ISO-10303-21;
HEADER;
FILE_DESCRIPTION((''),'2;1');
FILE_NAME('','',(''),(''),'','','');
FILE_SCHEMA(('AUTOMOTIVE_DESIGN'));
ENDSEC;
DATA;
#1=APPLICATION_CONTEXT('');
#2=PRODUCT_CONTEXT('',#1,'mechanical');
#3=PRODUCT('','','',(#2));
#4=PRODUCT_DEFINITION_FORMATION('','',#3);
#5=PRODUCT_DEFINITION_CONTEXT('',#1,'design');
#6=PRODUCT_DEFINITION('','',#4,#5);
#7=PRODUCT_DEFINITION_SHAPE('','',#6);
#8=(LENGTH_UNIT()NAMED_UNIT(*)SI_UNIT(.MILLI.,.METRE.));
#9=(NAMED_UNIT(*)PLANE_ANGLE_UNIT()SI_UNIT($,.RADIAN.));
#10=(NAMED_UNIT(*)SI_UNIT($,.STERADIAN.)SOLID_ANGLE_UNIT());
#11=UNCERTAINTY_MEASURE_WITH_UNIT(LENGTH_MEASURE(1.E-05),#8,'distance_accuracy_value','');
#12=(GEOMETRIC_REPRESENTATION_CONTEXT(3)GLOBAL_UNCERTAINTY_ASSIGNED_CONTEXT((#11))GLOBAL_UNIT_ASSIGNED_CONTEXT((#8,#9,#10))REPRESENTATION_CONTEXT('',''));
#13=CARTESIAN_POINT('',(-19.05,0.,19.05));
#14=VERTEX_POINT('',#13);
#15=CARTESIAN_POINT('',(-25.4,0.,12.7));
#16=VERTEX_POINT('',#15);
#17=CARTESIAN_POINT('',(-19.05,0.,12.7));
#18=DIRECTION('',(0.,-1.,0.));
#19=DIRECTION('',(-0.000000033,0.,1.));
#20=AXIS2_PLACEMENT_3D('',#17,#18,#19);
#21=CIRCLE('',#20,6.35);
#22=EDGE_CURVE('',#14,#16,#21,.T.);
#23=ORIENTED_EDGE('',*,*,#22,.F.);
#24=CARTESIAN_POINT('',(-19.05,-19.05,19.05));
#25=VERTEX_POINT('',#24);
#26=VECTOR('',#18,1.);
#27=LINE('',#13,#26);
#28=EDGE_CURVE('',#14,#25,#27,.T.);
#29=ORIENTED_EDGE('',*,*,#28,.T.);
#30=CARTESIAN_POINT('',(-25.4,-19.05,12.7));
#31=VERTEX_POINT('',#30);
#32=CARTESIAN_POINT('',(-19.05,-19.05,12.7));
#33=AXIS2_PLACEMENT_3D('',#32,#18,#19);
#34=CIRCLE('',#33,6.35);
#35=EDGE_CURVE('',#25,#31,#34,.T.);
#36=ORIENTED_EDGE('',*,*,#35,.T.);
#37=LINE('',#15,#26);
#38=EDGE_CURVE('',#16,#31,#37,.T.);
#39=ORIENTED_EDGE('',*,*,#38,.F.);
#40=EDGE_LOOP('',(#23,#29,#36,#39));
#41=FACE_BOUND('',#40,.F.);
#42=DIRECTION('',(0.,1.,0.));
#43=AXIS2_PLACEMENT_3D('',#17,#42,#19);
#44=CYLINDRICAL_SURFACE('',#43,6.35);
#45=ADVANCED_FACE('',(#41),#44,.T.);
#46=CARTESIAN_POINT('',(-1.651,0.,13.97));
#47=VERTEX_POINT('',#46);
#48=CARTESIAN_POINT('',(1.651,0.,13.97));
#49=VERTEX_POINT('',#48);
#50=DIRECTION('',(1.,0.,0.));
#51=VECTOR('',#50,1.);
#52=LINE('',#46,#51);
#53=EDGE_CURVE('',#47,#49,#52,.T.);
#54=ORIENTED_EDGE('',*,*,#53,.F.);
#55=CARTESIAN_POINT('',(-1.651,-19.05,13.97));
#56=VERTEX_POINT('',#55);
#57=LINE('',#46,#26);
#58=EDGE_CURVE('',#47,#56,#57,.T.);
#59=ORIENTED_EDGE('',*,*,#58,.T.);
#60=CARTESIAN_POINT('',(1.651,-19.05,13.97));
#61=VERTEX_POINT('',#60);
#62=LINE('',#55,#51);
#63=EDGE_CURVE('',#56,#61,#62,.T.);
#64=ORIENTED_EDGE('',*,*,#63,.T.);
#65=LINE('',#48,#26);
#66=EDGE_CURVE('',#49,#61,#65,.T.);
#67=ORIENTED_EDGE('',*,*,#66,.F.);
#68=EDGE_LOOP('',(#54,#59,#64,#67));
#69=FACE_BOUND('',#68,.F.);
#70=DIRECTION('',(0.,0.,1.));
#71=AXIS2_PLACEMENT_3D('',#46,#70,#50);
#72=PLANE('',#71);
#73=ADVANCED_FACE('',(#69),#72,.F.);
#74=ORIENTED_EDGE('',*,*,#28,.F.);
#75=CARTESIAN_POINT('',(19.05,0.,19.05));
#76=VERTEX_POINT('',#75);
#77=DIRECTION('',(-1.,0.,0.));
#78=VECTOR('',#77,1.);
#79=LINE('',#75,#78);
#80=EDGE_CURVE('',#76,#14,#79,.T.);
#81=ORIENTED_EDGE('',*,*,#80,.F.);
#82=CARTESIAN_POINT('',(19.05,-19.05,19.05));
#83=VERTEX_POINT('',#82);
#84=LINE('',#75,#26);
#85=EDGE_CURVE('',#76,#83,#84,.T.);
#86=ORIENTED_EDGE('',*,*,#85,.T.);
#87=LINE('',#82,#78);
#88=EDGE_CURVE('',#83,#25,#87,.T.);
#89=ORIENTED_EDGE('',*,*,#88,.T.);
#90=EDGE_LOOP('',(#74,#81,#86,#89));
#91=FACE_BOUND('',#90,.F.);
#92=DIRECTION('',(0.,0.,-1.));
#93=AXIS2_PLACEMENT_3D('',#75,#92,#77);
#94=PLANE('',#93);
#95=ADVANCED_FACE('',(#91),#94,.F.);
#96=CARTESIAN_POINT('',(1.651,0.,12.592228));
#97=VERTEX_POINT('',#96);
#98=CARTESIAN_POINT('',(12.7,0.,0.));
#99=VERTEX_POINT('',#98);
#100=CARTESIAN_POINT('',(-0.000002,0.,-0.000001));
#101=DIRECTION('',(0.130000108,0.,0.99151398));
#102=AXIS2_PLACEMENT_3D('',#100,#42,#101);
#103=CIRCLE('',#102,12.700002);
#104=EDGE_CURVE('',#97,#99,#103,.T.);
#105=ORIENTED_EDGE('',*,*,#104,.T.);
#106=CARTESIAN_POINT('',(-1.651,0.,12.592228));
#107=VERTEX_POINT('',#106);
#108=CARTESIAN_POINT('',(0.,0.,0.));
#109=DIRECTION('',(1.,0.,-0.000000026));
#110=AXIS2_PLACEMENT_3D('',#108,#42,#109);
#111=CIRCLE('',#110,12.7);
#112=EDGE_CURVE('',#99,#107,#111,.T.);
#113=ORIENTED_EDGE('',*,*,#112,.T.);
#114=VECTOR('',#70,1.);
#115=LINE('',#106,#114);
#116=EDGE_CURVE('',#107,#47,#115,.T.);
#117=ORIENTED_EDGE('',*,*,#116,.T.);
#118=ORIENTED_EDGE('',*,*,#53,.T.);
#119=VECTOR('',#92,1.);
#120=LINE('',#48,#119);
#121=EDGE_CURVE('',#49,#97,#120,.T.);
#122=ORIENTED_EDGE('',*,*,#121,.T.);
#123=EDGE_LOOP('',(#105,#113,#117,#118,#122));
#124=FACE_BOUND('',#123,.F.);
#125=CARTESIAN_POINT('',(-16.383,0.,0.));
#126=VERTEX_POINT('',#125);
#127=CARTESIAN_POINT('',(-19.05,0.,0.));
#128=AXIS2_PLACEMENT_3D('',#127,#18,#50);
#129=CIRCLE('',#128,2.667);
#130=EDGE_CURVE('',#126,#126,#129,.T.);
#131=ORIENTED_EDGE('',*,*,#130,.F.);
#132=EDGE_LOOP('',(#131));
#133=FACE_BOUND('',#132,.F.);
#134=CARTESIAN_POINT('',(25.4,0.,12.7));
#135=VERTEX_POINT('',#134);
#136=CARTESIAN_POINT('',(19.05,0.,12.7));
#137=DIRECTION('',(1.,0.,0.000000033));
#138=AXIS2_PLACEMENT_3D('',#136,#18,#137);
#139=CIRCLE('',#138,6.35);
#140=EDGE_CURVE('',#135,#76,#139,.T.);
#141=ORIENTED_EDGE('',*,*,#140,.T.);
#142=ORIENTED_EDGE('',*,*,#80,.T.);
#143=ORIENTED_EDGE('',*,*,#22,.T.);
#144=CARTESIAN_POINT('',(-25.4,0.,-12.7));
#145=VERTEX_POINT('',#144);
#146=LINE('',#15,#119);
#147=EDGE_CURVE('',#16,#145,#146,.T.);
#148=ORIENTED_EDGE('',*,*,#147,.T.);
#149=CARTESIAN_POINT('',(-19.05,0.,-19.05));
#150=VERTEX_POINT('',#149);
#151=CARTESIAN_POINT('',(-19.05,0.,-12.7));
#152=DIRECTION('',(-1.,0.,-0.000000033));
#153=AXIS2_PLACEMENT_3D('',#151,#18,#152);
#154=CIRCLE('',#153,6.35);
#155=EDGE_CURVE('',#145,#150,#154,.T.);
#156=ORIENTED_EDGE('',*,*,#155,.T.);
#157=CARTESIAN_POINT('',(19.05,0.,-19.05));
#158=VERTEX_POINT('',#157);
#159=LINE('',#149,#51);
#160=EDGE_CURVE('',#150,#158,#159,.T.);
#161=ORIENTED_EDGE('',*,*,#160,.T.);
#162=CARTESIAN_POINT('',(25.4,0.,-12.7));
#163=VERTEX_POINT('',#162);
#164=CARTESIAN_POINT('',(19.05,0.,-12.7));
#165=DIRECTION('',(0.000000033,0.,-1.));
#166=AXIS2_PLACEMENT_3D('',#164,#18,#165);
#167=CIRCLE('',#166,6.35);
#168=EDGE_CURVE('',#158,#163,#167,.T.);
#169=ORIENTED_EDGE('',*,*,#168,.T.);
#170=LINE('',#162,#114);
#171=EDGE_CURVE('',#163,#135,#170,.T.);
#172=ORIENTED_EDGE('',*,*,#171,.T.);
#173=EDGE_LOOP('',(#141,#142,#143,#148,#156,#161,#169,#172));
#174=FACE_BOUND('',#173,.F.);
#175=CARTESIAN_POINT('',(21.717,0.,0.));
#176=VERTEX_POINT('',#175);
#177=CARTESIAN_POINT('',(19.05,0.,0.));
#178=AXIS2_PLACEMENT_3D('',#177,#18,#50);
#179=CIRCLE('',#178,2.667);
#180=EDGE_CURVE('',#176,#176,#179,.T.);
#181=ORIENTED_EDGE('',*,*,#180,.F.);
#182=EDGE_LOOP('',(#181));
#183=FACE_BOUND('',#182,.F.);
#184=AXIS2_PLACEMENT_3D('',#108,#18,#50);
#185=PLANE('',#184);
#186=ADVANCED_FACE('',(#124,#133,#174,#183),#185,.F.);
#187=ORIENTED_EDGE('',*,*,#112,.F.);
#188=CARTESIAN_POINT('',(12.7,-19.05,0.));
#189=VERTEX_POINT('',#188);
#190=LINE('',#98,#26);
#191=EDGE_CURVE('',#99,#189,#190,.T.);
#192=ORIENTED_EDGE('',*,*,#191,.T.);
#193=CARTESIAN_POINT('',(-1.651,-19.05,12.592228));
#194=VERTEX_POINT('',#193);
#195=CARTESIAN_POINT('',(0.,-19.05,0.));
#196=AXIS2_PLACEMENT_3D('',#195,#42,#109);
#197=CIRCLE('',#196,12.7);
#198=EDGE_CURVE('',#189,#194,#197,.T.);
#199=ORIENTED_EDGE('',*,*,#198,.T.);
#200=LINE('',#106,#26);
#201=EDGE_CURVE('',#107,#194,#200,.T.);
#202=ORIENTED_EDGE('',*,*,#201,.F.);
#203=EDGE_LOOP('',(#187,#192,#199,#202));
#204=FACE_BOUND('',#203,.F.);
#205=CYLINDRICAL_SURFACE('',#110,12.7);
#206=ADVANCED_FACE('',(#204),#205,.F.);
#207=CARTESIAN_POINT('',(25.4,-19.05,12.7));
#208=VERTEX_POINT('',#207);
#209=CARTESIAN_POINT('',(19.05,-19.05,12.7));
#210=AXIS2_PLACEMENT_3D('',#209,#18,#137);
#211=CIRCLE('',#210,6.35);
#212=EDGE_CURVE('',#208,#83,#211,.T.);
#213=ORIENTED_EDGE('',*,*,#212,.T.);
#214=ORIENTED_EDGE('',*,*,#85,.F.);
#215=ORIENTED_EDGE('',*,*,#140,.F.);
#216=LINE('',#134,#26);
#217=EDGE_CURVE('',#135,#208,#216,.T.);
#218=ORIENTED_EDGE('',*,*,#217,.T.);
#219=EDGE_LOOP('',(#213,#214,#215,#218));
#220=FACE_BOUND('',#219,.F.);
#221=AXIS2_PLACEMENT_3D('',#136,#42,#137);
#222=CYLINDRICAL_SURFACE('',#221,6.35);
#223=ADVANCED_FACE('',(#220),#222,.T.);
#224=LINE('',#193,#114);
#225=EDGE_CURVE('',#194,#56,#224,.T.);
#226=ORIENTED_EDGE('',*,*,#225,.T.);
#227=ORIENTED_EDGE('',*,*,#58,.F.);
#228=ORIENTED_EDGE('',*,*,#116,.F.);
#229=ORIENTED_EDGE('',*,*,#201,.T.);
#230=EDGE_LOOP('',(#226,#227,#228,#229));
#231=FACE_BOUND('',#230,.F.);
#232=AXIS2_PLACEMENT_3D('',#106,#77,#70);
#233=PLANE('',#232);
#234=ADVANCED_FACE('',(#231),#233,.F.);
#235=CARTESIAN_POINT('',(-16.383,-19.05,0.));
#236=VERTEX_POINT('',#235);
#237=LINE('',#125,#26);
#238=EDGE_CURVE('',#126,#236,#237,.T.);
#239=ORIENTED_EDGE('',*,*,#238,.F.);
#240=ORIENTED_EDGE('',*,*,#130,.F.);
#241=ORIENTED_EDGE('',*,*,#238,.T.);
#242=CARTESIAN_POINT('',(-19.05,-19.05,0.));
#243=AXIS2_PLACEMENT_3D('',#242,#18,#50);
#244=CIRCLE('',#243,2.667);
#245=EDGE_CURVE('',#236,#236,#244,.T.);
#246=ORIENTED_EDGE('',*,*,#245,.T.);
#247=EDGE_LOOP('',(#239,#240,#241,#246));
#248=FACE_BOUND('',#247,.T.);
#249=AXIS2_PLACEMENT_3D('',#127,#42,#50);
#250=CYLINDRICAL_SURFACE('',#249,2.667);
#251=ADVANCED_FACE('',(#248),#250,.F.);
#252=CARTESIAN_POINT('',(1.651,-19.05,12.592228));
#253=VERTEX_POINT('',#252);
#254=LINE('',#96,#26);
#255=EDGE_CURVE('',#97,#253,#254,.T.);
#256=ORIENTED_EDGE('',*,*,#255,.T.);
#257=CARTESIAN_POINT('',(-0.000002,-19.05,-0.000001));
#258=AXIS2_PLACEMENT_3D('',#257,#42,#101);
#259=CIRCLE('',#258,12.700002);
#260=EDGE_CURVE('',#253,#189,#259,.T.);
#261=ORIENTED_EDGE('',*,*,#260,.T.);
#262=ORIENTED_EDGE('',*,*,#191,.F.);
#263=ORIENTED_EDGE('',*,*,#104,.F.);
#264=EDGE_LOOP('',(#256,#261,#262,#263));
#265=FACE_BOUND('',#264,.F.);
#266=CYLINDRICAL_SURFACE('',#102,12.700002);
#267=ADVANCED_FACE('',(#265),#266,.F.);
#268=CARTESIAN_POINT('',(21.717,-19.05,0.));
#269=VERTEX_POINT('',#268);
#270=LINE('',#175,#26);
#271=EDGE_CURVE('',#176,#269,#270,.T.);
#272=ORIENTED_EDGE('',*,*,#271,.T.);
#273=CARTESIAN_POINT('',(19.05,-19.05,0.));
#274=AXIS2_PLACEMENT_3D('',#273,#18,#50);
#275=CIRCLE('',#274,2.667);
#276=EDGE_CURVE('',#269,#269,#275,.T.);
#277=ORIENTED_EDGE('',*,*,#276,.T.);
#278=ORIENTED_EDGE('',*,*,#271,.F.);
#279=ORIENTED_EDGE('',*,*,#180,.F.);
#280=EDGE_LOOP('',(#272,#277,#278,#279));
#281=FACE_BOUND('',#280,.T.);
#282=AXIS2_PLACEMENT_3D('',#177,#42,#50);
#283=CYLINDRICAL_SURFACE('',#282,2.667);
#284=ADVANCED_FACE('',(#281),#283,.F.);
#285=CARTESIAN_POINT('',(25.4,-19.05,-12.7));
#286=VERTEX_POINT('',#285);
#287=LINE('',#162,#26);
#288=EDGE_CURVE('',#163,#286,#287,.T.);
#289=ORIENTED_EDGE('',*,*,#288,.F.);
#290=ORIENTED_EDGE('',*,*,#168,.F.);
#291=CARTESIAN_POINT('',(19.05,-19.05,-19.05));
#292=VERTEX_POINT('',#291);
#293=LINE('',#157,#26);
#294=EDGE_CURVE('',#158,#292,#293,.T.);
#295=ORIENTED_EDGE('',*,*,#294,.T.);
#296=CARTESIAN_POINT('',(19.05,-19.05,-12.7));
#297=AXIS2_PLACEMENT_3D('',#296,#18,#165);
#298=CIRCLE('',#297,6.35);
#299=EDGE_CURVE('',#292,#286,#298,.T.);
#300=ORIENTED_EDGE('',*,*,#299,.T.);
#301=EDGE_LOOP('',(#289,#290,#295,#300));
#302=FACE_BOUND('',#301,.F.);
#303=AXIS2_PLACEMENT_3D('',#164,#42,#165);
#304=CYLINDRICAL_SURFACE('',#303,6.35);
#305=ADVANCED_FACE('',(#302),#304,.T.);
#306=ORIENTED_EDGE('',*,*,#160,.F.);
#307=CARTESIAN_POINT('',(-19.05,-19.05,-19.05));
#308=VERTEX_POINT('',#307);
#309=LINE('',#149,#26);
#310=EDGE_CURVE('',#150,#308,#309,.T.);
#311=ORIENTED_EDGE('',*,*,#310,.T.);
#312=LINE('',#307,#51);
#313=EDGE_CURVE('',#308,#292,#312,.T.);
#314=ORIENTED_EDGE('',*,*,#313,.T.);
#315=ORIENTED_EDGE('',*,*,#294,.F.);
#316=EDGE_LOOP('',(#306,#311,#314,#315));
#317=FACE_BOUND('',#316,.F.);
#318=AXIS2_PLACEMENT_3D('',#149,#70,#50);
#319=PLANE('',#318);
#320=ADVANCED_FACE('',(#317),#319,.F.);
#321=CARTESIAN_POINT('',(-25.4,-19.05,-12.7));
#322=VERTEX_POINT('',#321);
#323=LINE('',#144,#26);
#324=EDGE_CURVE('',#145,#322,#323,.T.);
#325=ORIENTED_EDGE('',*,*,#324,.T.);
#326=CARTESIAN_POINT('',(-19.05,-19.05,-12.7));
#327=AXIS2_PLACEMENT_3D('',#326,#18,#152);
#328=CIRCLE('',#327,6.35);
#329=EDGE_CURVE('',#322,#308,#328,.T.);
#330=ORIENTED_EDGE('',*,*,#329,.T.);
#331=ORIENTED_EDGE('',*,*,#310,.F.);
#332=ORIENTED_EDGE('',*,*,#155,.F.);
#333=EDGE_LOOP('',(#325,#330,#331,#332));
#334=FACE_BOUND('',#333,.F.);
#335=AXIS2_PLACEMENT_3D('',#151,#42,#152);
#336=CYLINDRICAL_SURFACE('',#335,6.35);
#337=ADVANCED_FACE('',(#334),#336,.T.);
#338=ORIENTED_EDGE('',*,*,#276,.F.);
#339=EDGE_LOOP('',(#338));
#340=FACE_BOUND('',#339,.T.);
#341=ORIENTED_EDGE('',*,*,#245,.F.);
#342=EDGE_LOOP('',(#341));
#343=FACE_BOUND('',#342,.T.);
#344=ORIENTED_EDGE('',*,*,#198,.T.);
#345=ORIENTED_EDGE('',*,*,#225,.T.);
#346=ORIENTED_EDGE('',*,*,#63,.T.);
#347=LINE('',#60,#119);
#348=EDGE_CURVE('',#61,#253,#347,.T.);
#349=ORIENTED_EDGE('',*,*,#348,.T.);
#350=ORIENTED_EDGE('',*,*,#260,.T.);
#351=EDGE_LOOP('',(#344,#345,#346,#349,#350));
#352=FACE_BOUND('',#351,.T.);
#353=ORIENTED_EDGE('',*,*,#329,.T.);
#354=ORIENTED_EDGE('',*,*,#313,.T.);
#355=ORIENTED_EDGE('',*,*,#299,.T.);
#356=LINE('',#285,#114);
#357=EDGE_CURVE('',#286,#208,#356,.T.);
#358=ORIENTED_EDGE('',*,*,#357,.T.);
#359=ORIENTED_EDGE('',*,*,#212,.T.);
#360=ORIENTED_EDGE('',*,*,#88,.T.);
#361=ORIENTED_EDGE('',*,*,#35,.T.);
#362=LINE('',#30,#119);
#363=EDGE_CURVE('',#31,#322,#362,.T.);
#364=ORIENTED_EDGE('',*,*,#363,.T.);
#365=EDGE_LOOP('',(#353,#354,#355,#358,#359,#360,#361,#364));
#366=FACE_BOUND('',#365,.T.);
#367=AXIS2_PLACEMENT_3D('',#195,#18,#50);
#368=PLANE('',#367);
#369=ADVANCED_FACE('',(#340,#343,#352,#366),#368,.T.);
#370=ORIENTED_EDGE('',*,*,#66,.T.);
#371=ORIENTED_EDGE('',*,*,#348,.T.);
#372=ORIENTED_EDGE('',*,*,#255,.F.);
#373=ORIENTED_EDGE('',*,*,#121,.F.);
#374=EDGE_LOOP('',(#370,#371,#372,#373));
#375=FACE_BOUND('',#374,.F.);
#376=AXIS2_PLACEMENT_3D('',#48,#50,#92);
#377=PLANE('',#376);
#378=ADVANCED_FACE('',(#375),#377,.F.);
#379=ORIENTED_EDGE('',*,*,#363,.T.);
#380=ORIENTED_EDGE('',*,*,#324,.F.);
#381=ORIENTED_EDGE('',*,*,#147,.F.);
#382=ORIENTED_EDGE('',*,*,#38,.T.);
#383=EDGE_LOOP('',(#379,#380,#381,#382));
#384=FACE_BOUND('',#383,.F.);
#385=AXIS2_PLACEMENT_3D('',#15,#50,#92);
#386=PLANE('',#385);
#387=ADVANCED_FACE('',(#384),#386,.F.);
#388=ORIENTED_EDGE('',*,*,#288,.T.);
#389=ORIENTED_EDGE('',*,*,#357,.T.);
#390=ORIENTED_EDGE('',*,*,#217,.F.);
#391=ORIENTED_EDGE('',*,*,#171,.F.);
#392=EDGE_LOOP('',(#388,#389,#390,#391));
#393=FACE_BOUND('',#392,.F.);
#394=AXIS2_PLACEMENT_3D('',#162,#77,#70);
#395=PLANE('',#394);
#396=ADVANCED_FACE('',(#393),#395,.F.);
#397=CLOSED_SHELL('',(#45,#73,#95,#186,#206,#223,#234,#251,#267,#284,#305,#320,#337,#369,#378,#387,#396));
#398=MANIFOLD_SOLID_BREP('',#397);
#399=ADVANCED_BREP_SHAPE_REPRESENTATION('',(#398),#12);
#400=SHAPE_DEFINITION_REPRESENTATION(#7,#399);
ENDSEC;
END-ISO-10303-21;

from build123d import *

# Parameters (mm, degrees)
F0_R     = 2.667
F1_DEPTH = 19.05
F2_DEPTH = 19.05


with BuildPart() as f1:
    # F0 (on Front) → F1 (new body)
    with BuildSketch(Plane.XZ):
        with BuildLine():
            Line((19.05, 19.05), (-19.05, 19.05))
            ThreePointArc((-19.05, 19.05), (-23.540128, 17.190128), (-25.4, 12.7))
            Line((-25.4, 12.7), (-25.4, -12.7))
            ThreePointArc((-25.4, -12.7), (-23.540128, -17.190128), (-19.05, -19.05))
            Line((-19.05, -19.05), (19.05, -19.05))
            ThreePointArc((19.05, -19.05), (23.540128, -17.190128), (25.4, -12.7))
            Line((25.4, -12.7), (25.4, 12.7))
            ThreePointArc((25.4, 12.7), (23.540128, 17.190128), (19.05, 19.05))
        make_face()
        with Locations((-19.05, 0)):
            Circle(F0_R, mode=Mode.SUBTRACT)
        with BuildLine():
            ThreePointArc((1.651, 12.592228), (9.546143, 8.376225), (12.7, 0))
            ThreePointArc((12.7, 0), (-8.376225, -9.546143), (-1.651, 12.592228))
            Line((-1.651, 12.592228), (-1.651, 13.97))
            Line((-1.651, 13.97), (1.651, 13.97))
            Line((1.651, 13.97), (1.651, 12.592228))
        make_face(mode=Mode.SUBTRACT)
        with Locations((19.05, 0)):
            Circle(F0_R, mode=Mode.SUBTRACT)
    extrude(amount=F1_DEPTH)

    # F0 (on Front) → F2 (join)
    with BuildSketch(Plane.XZ):
        with BuildLine():
            Line((19.05, 19.05), (-19.05, 19.05))
            ThreePointArc((-19.05, 19.05), (-23.540128, 17.190128), (-25.4, 12.7))
            Line((-25.4, 12.7), (-25.4, -12.7))
            ThreePointArc((-25.4, -12.7), (-23.540128, -17.190128), (-19.05, -19.05))
            Line((-19.05, -19.05), (19.05, -19.05))
            ThreePointArc((19.05, -19.05), (23.540128, -17.190128), (25.4, -12.7))
            Line((25.4, -12.7), (25.4, 12.7))
            ThreePointArc((25.4, 12.7), (23.540128, 17.190128), (19.05, 19.05))
        make_face()
        with Locations((-19.05, 0)):
            Circle(F0_R, mode=Mode.SUBTRACT)
        with BuildLine():
            ThreePointArc((1.651, 12.592228), (9.546143, 8.376225), (12.7, 0))
            ThreePointArc((12.7, 0), (-8.376225, -9.546143), (-1.651, 12.592228))
            Line((-1.651, 12.592228), (-1.651, 13.97))
            Line((-1.651, 13.97), (1.651, 13.97))
            Line((1.651, 13.97), (1.651, 12.592228))
        make_face(mode=Mode.SUBTRACT)
        with Locations((19.05, 0)):
            Circle(F0_R, mode=Mode.SUBTRACT)
    extrude(amount=F2_DEPTH)


solid = f1.part
